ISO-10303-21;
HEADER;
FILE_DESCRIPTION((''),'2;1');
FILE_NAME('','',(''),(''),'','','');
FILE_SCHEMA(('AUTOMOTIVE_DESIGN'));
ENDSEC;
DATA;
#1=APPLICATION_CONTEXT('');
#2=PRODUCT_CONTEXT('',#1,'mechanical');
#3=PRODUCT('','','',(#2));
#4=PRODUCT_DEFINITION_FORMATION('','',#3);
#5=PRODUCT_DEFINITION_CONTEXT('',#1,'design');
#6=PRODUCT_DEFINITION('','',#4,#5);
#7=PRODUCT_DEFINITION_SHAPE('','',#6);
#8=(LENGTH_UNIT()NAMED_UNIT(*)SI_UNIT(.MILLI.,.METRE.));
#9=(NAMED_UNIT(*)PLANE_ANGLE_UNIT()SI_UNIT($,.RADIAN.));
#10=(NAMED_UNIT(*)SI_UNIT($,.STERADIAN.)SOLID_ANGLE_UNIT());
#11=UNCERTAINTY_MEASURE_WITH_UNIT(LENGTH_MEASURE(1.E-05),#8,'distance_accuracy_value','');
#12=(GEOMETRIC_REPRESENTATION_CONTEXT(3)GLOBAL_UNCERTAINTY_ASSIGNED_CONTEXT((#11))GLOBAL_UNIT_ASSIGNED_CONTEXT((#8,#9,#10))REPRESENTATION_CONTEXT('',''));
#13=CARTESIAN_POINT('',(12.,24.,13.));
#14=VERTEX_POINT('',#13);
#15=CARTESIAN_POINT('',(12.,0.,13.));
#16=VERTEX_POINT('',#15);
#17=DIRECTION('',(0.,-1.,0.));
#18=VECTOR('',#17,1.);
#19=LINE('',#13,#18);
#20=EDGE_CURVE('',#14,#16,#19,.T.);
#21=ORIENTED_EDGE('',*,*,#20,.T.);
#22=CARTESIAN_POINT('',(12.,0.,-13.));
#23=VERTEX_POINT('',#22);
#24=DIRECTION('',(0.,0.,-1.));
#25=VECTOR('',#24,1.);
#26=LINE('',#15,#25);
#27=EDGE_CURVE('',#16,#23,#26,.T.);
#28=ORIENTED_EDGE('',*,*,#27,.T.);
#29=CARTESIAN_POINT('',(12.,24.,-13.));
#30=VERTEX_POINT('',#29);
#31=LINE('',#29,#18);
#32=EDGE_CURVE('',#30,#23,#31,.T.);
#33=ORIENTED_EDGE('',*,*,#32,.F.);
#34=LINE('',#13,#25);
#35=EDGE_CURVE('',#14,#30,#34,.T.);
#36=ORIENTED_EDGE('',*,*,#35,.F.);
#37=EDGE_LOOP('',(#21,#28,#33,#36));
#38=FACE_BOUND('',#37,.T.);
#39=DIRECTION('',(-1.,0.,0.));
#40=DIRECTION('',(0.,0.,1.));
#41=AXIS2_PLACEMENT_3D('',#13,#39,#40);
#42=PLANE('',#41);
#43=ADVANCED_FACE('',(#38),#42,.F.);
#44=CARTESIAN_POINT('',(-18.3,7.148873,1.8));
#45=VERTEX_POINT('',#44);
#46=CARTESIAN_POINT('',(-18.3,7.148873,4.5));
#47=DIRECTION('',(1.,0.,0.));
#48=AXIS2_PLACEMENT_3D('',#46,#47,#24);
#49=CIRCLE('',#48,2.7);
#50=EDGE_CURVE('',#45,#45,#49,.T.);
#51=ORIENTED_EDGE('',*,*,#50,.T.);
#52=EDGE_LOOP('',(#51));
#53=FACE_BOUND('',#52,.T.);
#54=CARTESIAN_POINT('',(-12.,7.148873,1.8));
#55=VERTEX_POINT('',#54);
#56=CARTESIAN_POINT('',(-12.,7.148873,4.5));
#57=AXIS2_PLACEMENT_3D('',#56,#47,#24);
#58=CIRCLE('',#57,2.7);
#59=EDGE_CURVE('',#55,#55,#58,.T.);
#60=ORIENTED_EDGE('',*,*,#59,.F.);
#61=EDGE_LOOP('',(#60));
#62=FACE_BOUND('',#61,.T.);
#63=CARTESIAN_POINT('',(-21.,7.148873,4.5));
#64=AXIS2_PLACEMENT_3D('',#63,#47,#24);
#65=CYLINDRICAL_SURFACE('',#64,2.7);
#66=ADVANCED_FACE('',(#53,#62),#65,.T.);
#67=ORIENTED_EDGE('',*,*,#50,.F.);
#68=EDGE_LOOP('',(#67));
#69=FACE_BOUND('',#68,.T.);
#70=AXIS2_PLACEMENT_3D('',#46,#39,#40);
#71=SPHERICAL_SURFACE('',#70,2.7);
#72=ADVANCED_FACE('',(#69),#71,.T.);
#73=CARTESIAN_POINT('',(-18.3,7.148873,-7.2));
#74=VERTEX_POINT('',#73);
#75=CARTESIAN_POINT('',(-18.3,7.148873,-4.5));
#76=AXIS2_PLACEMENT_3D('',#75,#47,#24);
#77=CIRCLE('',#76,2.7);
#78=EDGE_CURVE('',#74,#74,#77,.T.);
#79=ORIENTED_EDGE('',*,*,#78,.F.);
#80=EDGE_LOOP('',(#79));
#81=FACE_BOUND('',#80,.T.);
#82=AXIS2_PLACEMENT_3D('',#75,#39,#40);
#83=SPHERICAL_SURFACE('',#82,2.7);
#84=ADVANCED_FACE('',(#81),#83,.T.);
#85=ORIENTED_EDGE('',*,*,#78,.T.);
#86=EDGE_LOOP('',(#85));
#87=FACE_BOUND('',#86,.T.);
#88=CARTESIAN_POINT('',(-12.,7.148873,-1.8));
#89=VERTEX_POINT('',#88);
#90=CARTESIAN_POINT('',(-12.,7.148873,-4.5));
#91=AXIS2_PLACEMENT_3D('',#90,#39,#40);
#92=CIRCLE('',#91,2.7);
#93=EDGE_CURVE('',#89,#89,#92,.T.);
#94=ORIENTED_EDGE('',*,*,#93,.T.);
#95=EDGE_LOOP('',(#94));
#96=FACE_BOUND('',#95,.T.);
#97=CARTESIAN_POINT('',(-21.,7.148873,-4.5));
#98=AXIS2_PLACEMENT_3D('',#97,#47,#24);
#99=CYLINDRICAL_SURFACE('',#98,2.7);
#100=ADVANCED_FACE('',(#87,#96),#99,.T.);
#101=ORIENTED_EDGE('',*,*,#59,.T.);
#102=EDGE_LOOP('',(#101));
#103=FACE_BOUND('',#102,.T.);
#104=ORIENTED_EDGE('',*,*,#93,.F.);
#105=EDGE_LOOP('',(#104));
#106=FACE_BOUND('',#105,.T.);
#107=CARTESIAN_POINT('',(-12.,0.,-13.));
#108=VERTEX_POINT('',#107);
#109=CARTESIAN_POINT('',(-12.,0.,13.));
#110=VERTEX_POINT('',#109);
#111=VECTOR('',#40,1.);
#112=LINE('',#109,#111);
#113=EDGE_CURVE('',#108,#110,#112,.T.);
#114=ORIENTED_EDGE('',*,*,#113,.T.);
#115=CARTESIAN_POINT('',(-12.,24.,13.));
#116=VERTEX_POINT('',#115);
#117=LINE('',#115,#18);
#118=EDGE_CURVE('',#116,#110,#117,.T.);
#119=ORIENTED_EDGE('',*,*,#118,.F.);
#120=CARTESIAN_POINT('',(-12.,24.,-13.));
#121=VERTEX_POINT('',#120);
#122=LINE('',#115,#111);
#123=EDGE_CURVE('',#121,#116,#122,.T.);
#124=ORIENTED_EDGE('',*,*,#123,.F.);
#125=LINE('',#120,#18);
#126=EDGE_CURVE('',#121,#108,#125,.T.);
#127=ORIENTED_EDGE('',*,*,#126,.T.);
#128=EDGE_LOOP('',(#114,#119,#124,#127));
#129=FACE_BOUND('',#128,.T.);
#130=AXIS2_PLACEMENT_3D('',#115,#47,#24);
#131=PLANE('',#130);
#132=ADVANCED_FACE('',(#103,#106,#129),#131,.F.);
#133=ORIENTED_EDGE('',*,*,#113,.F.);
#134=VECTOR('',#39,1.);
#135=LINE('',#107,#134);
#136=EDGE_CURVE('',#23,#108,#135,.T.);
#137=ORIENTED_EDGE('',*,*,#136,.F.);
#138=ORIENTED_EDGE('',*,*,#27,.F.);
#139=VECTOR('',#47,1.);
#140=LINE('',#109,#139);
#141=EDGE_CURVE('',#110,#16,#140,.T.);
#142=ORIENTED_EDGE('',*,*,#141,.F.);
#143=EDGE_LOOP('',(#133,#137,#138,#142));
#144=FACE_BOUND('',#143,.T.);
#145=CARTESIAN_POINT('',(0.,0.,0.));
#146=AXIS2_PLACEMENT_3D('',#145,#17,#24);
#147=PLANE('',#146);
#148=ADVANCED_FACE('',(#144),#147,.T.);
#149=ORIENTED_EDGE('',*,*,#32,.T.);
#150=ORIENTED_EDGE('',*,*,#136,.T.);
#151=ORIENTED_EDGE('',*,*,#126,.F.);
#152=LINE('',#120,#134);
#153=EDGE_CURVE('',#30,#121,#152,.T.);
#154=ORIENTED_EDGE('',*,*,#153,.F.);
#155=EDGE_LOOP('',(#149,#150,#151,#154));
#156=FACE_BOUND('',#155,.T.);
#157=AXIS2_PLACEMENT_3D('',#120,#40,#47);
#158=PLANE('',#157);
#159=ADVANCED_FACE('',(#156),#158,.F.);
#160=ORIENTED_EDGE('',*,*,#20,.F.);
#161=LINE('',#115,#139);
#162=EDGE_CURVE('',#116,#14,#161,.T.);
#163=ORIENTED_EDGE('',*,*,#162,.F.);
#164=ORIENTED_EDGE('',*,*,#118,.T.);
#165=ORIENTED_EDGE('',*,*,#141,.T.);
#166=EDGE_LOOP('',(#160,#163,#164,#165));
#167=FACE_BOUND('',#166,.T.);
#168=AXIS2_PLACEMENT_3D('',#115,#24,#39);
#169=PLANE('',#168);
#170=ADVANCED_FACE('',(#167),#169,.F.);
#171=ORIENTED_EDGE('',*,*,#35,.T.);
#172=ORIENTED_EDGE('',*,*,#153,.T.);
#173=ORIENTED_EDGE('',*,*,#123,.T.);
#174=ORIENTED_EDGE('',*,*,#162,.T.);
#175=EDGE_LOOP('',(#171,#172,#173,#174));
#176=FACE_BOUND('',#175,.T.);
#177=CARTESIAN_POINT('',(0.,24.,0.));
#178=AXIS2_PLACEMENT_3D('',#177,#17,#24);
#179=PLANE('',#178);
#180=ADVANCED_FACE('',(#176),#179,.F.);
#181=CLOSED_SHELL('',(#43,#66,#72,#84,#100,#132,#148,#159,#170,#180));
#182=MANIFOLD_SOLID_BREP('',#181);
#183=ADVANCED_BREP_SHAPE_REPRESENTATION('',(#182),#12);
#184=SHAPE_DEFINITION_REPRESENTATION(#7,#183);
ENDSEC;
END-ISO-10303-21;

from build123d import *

# Parameters (mm, degrees)
SKETCH1_W            = 24
SKETCH1_H            = 26
BOSS_EXTRUDE1_DEPTH  = 24
SKETCH2_R            = 2.7
BOSS_EXTRUDE2_DEPTH  = 9
FILLET2_R            = 2.7
FILLET2_OF_MIRROR2_R = 2.7


with BuildPart() as part:
    # Sketch1 → Boss-Extrude1 (new body)
    with BuildSketch(Plane(origin=(0, 0, 0), x_dir=(1, 0, 0), z_dir=(0, 1, 0))):
        Rectangle(SKETCH1_W, SKETCH1_H)
    extrude(amount=BOSS_EXTRUDE1_DEPTH)

    # Sketch2 → Boss-Extrude2 (add)
    with BuildSketch(Plane.ZY.offset(12)):
        with Locations((-4.5, 7.148873243)):
            Circle(SKETCH2_R)
    boss_extrude2 = extrude(amount=BOSS_EXTRUDE2_DEPTH)

    # Fillet2
    fillet2_edges = [part.edges().sort_by_distance(p)[0] for p in [
        (-21, 7.148873243, -7.2),
    ]]
    fillet(fillet2_edges, radius=FILLET2_R)

    # Mirror2: Boss-Extrude2 across plane
    add(boss_extrude2.mirror(Plane.XY))

    # Fillet2 of Mirror2
    fillet2_of_mirror2_edges = [part.edges().sort_by_distance(p)[0] for p in [
        (-21, 7.148873243, 7.2),
    ]]
    fillet(fillet2_of_mirror2_edges, radius=FILLET2_OF_MIRROR2_R)


solid = part.part
